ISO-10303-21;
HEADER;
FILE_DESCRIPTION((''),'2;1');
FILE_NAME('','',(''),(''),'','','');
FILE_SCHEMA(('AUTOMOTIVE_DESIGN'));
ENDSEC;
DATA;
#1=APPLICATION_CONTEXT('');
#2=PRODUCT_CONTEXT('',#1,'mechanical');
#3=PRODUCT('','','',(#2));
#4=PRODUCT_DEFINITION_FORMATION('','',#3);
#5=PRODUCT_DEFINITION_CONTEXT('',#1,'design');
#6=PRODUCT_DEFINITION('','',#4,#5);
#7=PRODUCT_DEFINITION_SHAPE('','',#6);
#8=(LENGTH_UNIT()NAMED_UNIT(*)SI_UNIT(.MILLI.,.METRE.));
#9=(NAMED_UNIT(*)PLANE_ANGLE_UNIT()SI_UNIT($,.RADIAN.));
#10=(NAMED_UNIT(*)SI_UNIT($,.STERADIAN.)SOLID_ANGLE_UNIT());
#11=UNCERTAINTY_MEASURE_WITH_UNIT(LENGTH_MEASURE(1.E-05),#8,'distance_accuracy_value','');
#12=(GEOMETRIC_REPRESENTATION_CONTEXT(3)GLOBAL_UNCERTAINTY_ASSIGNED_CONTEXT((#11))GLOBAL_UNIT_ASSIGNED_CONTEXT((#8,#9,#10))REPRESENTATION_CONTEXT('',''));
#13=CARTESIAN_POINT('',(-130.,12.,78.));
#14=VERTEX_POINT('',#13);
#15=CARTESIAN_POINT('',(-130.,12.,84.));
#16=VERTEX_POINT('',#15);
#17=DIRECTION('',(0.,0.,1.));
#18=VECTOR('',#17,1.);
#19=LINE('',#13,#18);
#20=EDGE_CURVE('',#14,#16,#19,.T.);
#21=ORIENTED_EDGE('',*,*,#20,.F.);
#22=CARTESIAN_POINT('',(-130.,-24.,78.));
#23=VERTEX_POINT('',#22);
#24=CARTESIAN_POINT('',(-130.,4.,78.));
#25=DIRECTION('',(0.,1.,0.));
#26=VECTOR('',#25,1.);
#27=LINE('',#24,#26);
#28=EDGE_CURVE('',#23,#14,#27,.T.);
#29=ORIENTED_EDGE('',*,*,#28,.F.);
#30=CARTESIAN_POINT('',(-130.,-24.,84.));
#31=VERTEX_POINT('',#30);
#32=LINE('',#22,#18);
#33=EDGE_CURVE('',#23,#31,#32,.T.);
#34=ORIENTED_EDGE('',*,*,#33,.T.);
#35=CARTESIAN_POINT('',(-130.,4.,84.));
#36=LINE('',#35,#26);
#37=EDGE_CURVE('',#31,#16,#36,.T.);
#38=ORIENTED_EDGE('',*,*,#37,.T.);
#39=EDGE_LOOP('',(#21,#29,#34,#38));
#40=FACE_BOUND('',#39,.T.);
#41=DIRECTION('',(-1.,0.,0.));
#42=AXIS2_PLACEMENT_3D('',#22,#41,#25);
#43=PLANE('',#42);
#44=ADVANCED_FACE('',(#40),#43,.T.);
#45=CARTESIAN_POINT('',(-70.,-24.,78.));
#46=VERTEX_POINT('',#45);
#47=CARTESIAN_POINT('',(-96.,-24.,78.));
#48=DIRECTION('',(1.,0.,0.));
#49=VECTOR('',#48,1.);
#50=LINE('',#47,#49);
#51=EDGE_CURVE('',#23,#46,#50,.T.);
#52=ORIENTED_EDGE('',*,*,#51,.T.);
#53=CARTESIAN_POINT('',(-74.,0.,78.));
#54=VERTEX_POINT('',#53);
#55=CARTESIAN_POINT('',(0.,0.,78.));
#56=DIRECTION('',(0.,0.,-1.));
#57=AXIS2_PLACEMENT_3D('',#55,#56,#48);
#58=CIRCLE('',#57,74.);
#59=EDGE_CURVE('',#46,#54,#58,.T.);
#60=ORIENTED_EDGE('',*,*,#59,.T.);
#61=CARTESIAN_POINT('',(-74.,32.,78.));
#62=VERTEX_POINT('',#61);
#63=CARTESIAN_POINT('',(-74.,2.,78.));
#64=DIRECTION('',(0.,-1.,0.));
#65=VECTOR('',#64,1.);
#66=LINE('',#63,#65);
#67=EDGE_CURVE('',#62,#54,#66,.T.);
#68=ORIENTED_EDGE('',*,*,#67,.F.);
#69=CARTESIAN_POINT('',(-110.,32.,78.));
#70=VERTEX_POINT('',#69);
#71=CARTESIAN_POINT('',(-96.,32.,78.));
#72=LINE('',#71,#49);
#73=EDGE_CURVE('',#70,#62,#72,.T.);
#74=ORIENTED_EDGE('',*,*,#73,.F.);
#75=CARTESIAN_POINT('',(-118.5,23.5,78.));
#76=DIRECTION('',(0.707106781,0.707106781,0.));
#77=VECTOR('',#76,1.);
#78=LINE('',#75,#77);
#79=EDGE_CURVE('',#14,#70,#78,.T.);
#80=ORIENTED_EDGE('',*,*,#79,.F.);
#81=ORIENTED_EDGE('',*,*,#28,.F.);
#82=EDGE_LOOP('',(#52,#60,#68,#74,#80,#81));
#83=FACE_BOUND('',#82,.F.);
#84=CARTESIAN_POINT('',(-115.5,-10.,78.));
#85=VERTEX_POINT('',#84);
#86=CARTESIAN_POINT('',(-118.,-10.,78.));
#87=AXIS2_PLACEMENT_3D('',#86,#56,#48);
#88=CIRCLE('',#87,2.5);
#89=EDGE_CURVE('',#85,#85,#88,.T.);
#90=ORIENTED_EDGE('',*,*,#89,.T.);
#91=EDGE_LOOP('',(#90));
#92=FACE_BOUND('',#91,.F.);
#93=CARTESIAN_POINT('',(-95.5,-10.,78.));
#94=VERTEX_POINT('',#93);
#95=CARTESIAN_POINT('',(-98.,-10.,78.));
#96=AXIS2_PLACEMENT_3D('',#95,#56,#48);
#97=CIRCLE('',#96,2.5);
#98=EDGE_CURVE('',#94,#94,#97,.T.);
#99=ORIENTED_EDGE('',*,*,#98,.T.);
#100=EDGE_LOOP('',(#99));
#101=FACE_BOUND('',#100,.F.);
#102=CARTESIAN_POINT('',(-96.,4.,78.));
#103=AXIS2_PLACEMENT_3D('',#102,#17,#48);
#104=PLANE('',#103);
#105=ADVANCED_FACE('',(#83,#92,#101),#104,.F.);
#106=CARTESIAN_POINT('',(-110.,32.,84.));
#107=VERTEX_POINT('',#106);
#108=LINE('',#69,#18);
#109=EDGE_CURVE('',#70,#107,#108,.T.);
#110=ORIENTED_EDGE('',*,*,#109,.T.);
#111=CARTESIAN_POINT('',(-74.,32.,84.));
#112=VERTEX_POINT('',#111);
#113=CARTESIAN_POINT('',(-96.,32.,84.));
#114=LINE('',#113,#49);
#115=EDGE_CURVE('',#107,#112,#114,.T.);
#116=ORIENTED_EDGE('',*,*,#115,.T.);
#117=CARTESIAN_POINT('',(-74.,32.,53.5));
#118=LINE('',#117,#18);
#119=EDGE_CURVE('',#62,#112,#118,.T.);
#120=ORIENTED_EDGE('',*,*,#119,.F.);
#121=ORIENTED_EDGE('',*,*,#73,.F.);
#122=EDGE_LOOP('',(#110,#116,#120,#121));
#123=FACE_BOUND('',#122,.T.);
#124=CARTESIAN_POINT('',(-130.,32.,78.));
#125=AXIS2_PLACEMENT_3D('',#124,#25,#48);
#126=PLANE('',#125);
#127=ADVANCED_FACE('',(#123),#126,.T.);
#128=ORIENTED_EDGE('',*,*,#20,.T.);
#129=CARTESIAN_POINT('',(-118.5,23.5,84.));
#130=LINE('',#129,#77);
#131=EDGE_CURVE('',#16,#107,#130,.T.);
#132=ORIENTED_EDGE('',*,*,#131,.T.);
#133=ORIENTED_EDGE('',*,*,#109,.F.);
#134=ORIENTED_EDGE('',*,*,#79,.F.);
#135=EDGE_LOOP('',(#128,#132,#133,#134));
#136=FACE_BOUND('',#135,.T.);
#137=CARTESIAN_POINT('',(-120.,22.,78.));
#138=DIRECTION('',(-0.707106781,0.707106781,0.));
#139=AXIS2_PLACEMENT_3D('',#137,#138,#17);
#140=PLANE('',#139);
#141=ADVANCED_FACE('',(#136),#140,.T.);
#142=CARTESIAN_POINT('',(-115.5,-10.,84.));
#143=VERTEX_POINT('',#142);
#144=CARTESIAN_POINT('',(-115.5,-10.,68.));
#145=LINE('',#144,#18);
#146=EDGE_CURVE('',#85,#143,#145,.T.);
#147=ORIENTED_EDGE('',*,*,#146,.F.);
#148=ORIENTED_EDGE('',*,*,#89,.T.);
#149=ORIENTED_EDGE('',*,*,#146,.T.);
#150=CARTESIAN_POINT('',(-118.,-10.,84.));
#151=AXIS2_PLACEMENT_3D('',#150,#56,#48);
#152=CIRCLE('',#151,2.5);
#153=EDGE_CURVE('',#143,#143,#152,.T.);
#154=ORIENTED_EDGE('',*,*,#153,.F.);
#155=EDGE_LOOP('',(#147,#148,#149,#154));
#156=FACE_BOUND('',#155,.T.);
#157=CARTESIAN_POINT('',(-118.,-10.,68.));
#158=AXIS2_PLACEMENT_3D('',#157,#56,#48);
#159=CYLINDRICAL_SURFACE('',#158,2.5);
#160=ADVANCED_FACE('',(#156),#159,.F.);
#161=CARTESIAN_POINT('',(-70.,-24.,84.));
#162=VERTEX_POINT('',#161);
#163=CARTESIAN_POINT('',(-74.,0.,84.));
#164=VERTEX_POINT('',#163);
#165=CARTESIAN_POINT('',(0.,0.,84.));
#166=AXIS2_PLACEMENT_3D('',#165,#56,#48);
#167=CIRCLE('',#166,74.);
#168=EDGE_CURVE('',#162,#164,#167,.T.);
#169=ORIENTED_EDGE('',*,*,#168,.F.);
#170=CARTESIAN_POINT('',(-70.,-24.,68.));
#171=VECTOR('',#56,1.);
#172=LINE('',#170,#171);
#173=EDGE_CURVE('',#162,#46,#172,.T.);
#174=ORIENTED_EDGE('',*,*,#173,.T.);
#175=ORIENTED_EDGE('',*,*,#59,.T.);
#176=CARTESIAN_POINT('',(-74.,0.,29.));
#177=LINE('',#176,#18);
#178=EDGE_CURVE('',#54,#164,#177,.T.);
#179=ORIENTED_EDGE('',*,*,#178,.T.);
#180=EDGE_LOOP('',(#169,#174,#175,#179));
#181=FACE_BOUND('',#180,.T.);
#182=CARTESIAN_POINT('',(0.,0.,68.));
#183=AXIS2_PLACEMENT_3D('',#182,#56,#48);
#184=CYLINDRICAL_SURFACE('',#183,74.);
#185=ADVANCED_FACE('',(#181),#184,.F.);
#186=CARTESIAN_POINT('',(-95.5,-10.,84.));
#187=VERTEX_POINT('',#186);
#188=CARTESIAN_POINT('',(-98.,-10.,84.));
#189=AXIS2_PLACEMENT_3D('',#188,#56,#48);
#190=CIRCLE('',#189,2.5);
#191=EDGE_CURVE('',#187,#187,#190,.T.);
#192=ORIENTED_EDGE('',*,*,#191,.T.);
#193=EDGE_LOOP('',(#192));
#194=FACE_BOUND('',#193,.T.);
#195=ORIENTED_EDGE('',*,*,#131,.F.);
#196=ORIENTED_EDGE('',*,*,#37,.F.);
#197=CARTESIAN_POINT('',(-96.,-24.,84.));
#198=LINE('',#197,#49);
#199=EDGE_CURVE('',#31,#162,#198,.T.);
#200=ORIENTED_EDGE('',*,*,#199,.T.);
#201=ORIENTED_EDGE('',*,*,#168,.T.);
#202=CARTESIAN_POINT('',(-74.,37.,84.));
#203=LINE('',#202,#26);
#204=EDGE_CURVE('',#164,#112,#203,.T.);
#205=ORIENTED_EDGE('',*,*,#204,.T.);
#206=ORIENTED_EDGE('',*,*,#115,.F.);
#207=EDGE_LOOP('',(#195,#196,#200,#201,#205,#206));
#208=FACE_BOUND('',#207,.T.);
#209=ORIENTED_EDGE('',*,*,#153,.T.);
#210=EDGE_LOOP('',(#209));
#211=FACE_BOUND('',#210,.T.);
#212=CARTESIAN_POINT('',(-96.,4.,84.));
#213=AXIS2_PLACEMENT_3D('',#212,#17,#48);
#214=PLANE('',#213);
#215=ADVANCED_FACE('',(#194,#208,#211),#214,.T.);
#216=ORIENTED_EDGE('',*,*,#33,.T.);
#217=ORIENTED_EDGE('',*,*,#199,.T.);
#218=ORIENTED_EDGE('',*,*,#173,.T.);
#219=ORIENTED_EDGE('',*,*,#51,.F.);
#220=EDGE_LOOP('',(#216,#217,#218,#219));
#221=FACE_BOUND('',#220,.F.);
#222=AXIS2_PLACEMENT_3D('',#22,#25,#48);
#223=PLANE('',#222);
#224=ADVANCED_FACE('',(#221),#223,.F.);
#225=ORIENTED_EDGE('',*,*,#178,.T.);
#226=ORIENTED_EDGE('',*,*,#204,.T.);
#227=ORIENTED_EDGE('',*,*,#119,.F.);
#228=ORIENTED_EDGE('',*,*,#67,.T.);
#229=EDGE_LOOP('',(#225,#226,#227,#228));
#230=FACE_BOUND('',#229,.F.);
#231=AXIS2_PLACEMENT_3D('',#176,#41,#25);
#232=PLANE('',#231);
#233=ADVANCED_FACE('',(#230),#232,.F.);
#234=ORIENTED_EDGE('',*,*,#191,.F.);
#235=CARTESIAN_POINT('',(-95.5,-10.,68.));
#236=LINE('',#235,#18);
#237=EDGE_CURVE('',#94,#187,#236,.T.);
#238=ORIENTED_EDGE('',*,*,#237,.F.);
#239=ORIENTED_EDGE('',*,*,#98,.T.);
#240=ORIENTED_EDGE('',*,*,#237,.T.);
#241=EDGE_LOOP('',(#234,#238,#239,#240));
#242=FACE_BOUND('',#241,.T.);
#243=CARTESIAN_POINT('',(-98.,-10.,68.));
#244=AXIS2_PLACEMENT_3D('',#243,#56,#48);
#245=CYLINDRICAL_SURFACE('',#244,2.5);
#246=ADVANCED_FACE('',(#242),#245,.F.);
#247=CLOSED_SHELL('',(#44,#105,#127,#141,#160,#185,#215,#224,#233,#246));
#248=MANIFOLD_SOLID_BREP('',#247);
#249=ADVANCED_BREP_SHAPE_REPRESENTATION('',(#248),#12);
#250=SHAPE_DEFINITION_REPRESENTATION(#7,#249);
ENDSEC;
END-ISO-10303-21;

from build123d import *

# Parameters (mm, degrees)
BOX763_W           = 148
BOX763_H           = 74
BOX763_DEPTH       = 55
CYLINDER1803_R     = 2.5
CYLINDER1803_DEPTH = 20
CYLINDER1804_R     = 2.5
CYLINDER1804_DEPTH = 20
CYLINDER1802_R     = 74
CYLINDER1802_DEPTH = 32
BOX762_W           = 68
BOX762_H           = 56
BOX762_DEPTH       = 6
CHAMFER063_SIZE    = 20


with BuildPart() as krychle763:
    # Box763 → Box763 (new body)
    with BuildSketch(Plane(origin=(-74, 0, 29), x_dir=(1, 0, 0), z_dir=(0, 0, 1))):
        with Locations((74, 37)):
            Rectangle(BOX763_W, BOX763_H)
    extrude(amount=BOX763_DEPTH)


with BuildPart() as v_lec1803:
    # Cylinder1803 → Cylinder1803 (new body)
    with BuildSketch(Plane(origin=(-90, -10, 66), x_dir=(1, 0, 0), z_dir=(0, 0, 1))):
        Circle(CYLINDER1803_R)
    extrude(amount=CYLINDER1803_DEPTH)


with BuildPart() as compound921:
    # Cylinder1804 → Cylinder1804 (new body)
    with BuildSketch(Plane(origin=(-110, -10, 66), x_dir=(1, 0, 0), z_dir=(0, 0, 1))):
        Circle(CYLINDER1804_R)
    extrude(amount=CYLINDER1804_DEPTH)

    # Compound921: union Válec1803
    add(v_lec1803.part)


with BuildPart() as compound921_1:
    # Compound921 placement: moved
    add(compound921.part.moved(Location((-8, 0, 0))))


with BuildPart() as v_lec1802:
    # Cylinder1802 → Cylinder1802 (new body)
    with BuildSketch(Plane.XY.offset(66)):
        Circle(CYLINDER1802_R)
    extrude(amount=CYLINDER1802_DEPTH)


with BuildPart() as cut566:
    # Box762 → Box762 (new body)
    with BuildSketch(Plane(origin=(-130, -24, 76), x_dir=(1, 0, 0), z_dir=(0, 0, 1))):
        with Locations((34, 28)):
            Rectangle(BOX762_W, BOX762_H)
    extrude(amount=BOX762_DEPTH)

    # Cut561: cut Válec1802
    add(v_lec1802.part, mode=Mode.SUBTRACT)

    # Cut562: cut Compound921
    add(compound921_1.part, mode=Mode.SUBTRACT)


with BuildPart() as cut566_1:
    # Cut562 placement: moved
    add(cut566.part.moved(Location((0, 0, 2))))

    # Chamfer063
    chamfer063_edges = [cut566_1.edges().sort_by_distance(p)[0] for p in [
        (-130, 32, 81),
    ]]
    chamfer(chamfer063_edges, length=CHAMFER063_SIZE)

    # Cut566: cut Krychle763
    add(krychle763.part, mode=Mode.SUBTRACT)


solid = cut566_1.part
